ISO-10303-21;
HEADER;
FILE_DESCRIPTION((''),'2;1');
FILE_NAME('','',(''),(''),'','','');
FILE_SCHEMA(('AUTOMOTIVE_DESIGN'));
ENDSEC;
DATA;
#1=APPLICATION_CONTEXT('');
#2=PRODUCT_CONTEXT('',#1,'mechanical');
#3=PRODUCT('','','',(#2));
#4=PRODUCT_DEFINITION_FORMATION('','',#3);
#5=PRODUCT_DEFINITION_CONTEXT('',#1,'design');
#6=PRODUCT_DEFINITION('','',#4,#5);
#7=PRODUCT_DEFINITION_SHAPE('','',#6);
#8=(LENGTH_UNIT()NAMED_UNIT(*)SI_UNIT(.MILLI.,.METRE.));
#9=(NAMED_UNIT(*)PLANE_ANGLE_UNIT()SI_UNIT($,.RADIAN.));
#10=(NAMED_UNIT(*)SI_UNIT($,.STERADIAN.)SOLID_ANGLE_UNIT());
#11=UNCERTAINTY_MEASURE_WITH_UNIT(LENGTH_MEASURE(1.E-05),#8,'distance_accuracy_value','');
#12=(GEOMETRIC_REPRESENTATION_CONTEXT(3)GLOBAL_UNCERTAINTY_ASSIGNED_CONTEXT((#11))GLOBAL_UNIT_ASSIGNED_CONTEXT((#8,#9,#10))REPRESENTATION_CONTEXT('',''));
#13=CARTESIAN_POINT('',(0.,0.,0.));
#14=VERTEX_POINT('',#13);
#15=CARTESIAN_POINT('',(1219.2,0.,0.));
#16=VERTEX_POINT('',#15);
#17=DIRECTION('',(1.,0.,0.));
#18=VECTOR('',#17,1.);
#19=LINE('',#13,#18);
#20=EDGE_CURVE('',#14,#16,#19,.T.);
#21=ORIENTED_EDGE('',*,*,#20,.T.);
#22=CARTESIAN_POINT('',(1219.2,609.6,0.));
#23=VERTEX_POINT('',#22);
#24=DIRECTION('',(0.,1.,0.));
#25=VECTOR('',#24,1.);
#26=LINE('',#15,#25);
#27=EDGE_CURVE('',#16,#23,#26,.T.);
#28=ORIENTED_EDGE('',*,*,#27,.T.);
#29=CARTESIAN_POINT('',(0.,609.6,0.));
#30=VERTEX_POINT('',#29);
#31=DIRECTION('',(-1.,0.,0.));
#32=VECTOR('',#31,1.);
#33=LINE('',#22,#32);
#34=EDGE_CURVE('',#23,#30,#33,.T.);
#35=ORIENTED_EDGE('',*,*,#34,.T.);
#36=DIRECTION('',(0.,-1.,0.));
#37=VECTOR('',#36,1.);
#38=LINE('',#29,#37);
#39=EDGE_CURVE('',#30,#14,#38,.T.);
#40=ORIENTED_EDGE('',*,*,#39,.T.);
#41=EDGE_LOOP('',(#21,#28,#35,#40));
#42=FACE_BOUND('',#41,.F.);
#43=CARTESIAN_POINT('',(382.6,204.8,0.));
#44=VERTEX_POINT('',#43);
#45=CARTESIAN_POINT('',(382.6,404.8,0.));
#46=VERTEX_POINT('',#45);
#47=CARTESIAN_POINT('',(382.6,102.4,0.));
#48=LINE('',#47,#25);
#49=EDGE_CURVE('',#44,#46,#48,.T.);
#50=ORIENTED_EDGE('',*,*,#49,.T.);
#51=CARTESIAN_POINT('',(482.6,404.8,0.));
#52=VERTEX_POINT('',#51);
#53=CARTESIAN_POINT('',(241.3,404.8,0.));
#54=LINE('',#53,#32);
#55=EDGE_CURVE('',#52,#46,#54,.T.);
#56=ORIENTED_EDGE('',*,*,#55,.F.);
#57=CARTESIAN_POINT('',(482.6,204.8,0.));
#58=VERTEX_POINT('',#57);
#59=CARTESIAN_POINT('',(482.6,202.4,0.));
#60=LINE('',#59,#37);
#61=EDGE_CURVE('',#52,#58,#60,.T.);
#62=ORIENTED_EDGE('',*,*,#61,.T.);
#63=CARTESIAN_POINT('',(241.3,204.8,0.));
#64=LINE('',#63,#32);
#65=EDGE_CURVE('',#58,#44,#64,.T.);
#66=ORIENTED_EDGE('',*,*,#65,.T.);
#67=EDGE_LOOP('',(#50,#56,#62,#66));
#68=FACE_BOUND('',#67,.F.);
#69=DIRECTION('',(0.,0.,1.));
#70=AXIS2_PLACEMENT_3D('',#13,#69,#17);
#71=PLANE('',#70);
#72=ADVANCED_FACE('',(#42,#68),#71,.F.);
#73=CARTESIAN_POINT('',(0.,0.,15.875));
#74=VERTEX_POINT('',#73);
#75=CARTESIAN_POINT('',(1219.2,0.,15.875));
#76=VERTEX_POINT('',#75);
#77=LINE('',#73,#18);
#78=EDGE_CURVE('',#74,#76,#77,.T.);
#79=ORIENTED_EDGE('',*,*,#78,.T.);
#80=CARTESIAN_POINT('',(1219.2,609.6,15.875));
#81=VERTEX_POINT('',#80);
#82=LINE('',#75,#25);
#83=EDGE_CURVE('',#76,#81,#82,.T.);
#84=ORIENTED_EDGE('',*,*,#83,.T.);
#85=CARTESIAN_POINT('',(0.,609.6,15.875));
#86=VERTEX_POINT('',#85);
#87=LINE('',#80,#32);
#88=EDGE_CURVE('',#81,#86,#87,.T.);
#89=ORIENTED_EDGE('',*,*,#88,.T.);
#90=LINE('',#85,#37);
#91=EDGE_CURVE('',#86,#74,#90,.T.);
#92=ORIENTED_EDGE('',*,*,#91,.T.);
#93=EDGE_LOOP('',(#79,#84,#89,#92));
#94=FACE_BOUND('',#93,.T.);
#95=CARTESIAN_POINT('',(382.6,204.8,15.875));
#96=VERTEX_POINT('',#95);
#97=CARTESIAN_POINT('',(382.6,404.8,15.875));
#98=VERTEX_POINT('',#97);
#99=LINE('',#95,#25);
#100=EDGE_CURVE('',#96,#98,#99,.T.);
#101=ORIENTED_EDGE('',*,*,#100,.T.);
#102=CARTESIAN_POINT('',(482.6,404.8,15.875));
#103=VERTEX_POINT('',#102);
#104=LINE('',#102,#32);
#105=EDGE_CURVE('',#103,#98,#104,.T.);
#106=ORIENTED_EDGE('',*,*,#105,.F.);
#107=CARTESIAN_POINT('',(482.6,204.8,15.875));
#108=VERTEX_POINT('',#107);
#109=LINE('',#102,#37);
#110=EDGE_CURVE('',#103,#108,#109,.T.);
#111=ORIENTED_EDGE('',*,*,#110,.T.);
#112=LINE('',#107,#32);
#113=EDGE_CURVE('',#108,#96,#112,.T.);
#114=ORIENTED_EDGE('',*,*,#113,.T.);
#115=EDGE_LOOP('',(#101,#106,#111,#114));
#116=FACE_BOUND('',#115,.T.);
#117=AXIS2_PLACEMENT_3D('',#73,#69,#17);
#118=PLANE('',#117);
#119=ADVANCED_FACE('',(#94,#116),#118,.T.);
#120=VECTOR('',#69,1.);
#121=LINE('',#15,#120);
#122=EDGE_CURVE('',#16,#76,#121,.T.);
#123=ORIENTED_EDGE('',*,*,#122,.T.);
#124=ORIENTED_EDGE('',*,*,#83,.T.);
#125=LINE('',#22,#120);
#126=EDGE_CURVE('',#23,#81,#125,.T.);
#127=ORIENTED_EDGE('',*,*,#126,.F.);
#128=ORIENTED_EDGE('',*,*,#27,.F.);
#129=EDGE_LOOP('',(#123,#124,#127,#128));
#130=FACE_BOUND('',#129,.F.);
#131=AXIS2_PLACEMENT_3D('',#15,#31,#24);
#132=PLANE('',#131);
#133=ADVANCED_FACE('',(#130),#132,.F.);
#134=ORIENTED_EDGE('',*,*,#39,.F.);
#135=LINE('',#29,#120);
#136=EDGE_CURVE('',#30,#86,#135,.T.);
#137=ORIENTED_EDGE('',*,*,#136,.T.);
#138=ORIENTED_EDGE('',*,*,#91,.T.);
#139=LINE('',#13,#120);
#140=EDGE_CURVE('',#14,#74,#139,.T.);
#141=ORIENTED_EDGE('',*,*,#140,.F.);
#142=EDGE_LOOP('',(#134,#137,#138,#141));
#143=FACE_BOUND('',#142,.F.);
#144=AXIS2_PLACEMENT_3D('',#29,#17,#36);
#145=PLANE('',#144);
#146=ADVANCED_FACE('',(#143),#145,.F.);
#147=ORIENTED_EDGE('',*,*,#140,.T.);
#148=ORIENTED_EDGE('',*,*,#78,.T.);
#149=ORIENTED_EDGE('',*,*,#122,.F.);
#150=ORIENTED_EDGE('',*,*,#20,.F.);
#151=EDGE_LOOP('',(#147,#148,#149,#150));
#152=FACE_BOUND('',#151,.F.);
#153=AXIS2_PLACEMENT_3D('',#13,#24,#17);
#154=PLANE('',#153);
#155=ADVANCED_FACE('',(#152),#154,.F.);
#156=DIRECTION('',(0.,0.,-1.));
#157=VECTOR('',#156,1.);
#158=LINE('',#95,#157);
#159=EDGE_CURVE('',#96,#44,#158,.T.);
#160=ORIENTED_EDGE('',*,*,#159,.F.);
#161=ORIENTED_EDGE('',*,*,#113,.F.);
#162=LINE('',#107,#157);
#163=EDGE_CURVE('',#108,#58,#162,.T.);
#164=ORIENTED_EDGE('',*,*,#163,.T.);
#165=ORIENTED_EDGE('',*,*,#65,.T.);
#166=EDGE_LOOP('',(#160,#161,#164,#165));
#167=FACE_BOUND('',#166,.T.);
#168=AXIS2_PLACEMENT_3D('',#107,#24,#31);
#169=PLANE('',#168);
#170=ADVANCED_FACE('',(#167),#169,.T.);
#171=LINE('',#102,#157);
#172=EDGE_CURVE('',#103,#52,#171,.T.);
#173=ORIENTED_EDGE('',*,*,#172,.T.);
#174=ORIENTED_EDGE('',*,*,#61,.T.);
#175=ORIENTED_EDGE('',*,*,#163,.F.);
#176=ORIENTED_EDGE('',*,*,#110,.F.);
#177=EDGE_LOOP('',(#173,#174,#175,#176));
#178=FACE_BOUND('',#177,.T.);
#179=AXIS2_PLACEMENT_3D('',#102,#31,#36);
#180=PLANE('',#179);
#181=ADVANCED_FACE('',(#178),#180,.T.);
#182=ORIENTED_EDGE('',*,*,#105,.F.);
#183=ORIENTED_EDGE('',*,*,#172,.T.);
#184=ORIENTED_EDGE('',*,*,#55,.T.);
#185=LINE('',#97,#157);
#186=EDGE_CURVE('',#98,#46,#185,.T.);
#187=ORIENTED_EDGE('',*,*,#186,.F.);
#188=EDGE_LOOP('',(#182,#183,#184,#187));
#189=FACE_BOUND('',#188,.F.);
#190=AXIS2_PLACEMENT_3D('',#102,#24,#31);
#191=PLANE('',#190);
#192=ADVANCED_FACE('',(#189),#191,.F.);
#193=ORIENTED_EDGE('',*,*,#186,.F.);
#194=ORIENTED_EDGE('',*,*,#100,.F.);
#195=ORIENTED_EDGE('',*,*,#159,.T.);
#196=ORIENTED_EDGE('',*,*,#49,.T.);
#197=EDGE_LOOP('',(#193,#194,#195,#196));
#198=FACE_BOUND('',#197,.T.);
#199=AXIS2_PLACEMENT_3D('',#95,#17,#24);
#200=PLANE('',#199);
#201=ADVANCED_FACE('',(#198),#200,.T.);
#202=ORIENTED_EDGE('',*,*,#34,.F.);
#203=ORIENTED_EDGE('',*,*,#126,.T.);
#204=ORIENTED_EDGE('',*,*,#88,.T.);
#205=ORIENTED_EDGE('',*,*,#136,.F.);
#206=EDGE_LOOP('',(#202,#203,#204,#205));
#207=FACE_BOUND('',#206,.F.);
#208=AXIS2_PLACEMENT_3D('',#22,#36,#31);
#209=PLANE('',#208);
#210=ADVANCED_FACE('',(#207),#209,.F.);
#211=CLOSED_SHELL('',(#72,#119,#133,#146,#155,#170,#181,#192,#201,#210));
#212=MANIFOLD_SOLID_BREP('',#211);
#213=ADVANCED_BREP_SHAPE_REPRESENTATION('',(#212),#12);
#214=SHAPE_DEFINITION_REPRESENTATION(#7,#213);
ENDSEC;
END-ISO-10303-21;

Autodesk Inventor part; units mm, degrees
ref_plane "YZ Plane" through (0, 0, 0) normal (1, 0, 0) x (0, 1, 0)
ref_plane "XZ Plane" through (0, 0, 0) normal (0, 1, 0) x (-1, 0, 0)
ref_plane "XY Plane" through (0, 0, 0) normal (0, 0, 1) x (1, 0, 0)
sketch "Sketch1" plane through (0, 0, 0) normal (0, 0, 1) x (1, 0, 0)
  line L0 (0, 0) -> (1219.2, 0)
  line L1 (1219.2, 0) -> (1219.2, 609.6)
  line L2 (1219.2, 609.6) -> (0, 609.6)
  line L3 (0, 609.6) -> (0, 0)
  dimension "d0" = 1219.2
  dimension "d1" = 609.6
extrude "Extrusion1" add sketch "Sketch1" along normal blind 15.875
sketch "Sketch6" plane through (0, 0, 15.875) normal (0, 0, 1) x (1, 0, 0)
  line L0 (482.6, 404.8) -> (382.6, 404.8)
  line L1 (482.6, 204.8) -> (382.6, 204.8)
  line L2 (382.6, 204.8) -> (382.6, 404.8)
  line L3 (482.6, 404.8) -> (482.6, 204.8)
extrude "Extrusion5" cut sketch "Sketch6" against normal blind 90
properties part number "Window Gyp Board"
